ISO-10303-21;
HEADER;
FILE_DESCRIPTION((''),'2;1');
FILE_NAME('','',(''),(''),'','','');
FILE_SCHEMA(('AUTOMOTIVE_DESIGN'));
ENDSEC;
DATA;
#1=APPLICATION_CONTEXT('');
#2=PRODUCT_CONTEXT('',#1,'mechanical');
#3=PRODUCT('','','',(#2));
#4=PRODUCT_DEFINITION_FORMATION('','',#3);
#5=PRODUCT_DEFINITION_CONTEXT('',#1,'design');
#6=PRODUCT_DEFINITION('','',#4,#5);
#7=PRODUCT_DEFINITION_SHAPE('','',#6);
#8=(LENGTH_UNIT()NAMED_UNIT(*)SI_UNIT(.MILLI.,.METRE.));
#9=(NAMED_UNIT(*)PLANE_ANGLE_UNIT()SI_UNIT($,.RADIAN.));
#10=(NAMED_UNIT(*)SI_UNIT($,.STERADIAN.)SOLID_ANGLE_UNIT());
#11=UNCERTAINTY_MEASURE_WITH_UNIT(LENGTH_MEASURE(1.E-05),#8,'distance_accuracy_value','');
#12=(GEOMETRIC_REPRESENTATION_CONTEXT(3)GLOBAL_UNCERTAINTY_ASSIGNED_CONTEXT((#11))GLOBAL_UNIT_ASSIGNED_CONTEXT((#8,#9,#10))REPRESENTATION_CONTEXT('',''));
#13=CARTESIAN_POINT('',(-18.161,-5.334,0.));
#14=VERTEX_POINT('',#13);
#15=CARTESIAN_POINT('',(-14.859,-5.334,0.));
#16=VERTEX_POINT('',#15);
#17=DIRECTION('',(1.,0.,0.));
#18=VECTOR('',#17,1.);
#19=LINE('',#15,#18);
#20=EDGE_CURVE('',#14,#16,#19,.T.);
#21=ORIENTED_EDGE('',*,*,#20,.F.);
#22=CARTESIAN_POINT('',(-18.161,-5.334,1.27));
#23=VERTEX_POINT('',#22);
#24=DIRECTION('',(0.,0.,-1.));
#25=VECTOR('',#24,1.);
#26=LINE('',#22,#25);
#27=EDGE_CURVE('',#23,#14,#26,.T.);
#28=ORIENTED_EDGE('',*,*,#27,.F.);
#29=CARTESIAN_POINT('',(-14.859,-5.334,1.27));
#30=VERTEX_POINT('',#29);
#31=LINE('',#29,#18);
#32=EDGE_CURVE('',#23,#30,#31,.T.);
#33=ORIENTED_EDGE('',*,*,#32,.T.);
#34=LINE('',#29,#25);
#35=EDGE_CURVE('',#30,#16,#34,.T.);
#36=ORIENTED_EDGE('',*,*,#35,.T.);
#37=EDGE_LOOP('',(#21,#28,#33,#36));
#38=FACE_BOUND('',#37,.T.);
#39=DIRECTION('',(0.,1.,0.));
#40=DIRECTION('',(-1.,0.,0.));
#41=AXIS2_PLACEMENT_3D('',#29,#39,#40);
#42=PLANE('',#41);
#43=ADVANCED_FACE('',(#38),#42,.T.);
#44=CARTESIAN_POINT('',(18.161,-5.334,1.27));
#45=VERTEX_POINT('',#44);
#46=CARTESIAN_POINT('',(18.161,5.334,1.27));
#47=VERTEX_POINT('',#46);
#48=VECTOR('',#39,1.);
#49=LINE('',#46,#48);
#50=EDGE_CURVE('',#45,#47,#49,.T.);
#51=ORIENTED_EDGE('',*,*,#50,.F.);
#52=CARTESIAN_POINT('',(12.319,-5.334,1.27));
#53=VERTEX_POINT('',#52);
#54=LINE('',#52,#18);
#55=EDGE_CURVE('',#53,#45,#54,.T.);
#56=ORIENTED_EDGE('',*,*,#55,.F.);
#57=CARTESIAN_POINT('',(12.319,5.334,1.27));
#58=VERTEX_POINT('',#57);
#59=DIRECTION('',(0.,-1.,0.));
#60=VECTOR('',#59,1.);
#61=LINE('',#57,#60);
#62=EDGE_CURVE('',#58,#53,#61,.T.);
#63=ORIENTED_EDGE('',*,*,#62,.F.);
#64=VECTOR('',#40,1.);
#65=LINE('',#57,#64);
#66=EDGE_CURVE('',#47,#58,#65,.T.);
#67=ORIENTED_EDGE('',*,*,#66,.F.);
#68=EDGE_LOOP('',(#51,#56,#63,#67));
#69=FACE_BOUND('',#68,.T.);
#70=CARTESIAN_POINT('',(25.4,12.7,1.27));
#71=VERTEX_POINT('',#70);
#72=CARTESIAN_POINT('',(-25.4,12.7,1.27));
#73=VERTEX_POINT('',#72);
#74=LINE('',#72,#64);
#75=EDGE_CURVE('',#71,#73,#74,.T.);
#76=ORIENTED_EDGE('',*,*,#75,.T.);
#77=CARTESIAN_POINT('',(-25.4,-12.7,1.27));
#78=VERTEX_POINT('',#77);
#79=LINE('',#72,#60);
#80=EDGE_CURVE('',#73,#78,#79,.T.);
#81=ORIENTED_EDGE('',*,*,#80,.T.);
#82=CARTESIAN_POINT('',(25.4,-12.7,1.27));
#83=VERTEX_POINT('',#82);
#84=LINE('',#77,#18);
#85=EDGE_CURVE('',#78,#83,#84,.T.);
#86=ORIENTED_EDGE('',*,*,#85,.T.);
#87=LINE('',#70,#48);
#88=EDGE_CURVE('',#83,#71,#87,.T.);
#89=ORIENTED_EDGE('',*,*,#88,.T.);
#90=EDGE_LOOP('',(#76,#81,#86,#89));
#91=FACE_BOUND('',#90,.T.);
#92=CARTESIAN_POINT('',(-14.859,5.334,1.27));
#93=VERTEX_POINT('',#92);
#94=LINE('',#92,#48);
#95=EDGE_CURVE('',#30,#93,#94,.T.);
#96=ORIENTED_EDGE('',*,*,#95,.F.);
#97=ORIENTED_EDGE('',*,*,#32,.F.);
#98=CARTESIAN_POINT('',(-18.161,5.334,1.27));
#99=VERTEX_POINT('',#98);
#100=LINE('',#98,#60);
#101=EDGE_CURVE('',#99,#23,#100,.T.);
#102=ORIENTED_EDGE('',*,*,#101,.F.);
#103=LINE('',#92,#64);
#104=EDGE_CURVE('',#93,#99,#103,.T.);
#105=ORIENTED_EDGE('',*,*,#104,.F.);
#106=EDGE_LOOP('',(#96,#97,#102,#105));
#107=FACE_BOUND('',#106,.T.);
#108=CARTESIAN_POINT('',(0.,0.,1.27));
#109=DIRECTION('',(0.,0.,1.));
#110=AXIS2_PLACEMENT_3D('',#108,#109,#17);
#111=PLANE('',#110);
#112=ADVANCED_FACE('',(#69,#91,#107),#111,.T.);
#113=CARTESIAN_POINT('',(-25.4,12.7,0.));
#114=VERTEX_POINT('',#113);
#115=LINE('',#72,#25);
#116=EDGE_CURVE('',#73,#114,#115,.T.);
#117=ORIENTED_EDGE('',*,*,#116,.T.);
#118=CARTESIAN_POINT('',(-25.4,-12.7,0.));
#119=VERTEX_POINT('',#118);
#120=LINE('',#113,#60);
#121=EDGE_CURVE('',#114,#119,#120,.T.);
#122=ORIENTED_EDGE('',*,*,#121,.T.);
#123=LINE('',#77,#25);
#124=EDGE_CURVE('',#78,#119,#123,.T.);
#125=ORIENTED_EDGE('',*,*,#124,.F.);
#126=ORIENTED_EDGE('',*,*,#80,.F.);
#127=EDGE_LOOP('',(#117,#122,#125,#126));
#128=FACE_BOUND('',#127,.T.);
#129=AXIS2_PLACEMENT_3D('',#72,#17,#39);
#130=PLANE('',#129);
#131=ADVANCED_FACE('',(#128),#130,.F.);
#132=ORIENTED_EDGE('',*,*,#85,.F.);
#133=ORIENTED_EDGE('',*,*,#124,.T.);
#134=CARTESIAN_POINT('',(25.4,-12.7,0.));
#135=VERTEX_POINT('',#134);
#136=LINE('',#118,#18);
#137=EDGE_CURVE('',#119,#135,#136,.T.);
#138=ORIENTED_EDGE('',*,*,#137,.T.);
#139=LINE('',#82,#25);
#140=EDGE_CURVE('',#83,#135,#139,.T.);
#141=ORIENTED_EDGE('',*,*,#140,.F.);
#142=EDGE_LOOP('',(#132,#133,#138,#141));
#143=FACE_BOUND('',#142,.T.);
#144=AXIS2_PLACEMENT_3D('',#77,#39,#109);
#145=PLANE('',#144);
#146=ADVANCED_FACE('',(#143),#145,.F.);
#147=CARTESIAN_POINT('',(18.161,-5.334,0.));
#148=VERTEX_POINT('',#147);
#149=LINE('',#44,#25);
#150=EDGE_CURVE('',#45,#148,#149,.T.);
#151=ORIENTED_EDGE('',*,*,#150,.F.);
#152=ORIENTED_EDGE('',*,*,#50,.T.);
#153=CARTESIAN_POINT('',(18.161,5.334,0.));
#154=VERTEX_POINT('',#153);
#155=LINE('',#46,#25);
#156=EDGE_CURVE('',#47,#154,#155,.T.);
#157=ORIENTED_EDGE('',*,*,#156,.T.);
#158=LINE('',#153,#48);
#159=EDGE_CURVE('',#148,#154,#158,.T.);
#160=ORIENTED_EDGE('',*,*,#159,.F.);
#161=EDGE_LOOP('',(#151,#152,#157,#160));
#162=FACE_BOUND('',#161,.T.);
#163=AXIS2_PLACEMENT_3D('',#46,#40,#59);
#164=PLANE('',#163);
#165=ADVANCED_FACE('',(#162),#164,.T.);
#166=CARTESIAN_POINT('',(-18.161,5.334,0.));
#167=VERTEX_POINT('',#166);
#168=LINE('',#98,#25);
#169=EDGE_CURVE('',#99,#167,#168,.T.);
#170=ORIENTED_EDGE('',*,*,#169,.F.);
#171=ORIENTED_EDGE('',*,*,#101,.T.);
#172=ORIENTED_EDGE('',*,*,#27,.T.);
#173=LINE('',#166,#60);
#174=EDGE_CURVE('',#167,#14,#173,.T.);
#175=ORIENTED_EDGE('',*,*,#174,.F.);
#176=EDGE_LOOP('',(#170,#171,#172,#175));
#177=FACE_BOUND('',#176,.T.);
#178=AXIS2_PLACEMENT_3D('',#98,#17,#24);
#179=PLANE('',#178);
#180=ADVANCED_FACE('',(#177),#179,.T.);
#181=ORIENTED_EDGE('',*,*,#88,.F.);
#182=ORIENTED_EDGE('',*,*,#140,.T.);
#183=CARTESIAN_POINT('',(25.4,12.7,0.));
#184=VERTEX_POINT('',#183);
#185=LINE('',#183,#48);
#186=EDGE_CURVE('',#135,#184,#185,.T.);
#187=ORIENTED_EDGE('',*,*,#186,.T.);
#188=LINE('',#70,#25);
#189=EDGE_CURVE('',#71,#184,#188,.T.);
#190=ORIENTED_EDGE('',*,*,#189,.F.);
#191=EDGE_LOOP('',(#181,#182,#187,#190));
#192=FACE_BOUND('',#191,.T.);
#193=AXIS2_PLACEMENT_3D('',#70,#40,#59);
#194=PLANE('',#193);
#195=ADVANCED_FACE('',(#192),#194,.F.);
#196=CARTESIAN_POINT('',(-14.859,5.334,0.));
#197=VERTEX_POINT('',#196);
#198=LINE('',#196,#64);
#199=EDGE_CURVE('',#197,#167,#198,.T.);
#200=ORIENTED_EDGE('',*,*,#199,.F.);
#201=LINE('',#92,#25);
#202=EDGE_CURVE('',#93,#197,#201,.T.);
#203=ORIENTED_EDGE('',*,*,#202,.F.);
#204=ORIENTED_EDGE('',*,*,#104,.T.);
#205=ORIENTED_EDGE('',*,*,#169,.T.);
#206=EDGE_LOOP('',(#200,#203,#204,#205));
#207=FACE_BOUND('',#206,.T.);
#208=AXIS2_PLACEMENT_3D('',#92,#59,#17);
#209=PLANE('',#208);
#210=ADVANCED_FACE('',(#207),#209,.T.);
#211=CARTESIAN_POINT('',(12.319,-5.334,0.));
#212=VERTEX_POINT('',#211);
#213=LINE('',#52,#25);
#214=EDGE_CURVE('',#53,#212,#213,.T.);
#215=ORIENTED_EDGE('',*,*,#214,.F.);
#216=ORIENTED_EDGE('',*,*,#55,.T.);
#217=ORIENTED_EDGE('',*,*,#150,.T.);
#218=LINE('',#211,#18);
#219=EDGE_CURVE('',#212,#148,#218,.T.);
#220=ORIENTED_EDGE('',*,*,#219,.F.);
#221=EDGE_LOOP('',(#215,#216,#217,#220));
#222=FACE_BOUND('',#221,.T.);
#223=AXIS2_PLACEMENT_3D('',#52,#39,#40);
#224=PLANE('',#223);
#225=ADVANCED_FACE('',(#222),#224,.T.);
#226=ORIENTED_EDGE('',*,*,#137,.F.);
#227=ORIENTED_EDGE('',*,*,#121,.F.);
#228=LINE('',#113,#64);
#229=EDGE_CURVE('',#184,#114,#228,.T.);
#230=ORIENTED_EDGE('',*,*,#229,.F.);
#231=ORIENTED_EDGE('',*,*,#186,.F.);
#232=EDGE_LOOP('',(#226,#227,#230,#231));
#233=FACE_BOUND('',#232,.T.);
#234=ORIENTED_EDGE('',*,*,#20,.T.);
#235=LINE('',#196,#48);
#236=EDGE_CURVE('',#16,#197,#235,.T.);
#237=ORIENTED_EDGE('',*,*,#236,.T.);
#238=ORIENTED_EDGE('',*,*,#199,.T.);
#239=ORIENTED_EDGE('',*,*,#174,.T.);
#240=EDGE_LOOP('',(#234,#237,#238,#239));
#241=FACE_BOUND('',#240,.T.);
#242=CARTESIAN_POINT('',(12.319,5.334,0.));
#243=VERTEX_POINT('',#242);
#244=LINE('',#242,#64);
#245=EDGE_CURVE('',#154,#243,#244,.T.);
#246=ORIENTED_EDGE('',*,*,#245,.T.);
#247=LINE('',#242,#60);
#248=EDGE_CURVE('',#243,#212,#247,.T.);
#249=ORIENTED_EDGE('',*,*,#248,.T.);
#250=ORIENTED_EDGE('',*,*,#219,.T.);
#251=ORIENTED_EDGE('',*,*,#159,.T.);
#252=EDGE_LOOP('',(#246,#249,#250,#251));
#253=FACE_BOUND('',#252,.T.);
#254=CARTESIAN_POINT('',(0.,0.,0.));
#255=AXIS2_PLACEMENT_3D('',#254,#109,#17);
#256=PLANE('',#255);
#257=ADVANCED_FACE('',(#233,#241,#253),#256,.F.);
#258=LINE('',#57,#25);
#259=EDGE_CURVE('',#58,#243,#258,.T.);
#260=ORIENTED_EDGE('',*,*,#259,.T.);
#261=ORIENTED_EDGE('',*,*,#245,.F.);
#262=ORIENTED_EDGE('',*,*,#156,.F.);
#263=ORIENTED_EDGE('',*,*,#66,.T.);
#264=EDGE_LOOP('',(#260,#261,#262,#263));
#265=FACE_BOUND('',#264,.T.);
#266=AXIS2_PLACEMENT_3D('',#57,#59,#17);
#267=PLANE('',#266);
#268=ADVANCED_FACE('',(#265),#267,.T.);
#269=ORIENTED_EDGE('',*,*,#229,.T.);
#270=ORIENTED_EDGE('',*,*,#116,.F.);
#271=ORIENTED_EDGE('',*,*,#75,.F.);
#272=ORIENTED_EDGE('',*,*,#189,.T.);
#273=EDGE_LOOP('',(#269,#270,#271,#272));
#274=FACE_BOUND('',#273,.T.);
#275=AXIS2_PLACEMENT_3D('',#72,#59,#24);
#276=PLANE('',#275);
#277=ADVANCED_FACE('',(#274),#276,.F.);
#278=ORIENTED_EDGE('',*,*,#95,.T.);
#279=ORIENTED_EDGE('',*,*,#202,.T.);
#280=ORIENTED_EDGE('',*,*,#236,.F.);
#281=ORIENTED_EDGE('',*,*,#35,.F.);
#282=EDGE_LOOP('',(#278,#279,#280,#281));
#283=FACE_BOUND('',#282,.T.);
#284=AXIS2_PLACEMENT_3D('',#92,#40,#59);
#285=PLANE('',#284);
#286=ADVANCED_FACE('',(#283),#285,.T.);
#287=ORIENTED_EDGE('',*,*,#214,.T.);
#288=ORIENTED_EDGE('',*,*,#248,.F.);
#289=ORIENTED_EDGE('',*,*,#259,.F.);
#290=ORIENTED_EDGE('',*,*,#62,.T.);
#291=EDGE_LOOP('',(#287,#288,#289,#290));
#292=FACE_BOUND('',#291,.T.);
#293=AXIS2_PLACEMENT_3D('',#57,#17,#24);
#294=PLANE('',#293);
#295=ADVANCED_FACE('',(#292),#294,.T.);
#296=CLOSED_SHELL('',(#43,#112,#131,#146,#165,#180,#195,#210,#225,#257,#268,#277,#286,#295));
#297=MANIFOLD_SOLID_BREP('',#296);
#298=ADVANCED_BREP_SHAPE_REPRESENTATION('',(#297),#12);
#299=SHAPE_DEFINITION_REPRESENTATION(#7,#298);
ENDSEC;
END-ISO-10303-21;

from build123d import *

# Parameters (mm, degrees)
SKETCH1_W           = 50.8
SKETCH1_H           = 25.4
SKETCH1_W_2         = 5.842
SKETCH1_H_2         = 10.668
SKETCH1_W_3         = 3.302
BOSS_EXTRUDE1_DEPTH = 1.27


with BuildPart() as part:
    # Sketch1 → Boss-Extrude1 (new body)
    with BuildSketch(Plane.XY):
        Rectangle(SKETCH1_W, SKETCH1_H)
        with Locations((15.24, 0)):
            Rectangle(SKETCH1_W_2, SKETCH1_H_2, mode=Mode.SUBTRACT)
        with Locations((-16.51, 0)):
            Rectangle(SKETCH1_W_3, SKETCH1_H_2, mode=Mode.SUBTRACT)
    extrude(amount=BOSS_EXTRUDE1_DEPTH)


solid = part.part
